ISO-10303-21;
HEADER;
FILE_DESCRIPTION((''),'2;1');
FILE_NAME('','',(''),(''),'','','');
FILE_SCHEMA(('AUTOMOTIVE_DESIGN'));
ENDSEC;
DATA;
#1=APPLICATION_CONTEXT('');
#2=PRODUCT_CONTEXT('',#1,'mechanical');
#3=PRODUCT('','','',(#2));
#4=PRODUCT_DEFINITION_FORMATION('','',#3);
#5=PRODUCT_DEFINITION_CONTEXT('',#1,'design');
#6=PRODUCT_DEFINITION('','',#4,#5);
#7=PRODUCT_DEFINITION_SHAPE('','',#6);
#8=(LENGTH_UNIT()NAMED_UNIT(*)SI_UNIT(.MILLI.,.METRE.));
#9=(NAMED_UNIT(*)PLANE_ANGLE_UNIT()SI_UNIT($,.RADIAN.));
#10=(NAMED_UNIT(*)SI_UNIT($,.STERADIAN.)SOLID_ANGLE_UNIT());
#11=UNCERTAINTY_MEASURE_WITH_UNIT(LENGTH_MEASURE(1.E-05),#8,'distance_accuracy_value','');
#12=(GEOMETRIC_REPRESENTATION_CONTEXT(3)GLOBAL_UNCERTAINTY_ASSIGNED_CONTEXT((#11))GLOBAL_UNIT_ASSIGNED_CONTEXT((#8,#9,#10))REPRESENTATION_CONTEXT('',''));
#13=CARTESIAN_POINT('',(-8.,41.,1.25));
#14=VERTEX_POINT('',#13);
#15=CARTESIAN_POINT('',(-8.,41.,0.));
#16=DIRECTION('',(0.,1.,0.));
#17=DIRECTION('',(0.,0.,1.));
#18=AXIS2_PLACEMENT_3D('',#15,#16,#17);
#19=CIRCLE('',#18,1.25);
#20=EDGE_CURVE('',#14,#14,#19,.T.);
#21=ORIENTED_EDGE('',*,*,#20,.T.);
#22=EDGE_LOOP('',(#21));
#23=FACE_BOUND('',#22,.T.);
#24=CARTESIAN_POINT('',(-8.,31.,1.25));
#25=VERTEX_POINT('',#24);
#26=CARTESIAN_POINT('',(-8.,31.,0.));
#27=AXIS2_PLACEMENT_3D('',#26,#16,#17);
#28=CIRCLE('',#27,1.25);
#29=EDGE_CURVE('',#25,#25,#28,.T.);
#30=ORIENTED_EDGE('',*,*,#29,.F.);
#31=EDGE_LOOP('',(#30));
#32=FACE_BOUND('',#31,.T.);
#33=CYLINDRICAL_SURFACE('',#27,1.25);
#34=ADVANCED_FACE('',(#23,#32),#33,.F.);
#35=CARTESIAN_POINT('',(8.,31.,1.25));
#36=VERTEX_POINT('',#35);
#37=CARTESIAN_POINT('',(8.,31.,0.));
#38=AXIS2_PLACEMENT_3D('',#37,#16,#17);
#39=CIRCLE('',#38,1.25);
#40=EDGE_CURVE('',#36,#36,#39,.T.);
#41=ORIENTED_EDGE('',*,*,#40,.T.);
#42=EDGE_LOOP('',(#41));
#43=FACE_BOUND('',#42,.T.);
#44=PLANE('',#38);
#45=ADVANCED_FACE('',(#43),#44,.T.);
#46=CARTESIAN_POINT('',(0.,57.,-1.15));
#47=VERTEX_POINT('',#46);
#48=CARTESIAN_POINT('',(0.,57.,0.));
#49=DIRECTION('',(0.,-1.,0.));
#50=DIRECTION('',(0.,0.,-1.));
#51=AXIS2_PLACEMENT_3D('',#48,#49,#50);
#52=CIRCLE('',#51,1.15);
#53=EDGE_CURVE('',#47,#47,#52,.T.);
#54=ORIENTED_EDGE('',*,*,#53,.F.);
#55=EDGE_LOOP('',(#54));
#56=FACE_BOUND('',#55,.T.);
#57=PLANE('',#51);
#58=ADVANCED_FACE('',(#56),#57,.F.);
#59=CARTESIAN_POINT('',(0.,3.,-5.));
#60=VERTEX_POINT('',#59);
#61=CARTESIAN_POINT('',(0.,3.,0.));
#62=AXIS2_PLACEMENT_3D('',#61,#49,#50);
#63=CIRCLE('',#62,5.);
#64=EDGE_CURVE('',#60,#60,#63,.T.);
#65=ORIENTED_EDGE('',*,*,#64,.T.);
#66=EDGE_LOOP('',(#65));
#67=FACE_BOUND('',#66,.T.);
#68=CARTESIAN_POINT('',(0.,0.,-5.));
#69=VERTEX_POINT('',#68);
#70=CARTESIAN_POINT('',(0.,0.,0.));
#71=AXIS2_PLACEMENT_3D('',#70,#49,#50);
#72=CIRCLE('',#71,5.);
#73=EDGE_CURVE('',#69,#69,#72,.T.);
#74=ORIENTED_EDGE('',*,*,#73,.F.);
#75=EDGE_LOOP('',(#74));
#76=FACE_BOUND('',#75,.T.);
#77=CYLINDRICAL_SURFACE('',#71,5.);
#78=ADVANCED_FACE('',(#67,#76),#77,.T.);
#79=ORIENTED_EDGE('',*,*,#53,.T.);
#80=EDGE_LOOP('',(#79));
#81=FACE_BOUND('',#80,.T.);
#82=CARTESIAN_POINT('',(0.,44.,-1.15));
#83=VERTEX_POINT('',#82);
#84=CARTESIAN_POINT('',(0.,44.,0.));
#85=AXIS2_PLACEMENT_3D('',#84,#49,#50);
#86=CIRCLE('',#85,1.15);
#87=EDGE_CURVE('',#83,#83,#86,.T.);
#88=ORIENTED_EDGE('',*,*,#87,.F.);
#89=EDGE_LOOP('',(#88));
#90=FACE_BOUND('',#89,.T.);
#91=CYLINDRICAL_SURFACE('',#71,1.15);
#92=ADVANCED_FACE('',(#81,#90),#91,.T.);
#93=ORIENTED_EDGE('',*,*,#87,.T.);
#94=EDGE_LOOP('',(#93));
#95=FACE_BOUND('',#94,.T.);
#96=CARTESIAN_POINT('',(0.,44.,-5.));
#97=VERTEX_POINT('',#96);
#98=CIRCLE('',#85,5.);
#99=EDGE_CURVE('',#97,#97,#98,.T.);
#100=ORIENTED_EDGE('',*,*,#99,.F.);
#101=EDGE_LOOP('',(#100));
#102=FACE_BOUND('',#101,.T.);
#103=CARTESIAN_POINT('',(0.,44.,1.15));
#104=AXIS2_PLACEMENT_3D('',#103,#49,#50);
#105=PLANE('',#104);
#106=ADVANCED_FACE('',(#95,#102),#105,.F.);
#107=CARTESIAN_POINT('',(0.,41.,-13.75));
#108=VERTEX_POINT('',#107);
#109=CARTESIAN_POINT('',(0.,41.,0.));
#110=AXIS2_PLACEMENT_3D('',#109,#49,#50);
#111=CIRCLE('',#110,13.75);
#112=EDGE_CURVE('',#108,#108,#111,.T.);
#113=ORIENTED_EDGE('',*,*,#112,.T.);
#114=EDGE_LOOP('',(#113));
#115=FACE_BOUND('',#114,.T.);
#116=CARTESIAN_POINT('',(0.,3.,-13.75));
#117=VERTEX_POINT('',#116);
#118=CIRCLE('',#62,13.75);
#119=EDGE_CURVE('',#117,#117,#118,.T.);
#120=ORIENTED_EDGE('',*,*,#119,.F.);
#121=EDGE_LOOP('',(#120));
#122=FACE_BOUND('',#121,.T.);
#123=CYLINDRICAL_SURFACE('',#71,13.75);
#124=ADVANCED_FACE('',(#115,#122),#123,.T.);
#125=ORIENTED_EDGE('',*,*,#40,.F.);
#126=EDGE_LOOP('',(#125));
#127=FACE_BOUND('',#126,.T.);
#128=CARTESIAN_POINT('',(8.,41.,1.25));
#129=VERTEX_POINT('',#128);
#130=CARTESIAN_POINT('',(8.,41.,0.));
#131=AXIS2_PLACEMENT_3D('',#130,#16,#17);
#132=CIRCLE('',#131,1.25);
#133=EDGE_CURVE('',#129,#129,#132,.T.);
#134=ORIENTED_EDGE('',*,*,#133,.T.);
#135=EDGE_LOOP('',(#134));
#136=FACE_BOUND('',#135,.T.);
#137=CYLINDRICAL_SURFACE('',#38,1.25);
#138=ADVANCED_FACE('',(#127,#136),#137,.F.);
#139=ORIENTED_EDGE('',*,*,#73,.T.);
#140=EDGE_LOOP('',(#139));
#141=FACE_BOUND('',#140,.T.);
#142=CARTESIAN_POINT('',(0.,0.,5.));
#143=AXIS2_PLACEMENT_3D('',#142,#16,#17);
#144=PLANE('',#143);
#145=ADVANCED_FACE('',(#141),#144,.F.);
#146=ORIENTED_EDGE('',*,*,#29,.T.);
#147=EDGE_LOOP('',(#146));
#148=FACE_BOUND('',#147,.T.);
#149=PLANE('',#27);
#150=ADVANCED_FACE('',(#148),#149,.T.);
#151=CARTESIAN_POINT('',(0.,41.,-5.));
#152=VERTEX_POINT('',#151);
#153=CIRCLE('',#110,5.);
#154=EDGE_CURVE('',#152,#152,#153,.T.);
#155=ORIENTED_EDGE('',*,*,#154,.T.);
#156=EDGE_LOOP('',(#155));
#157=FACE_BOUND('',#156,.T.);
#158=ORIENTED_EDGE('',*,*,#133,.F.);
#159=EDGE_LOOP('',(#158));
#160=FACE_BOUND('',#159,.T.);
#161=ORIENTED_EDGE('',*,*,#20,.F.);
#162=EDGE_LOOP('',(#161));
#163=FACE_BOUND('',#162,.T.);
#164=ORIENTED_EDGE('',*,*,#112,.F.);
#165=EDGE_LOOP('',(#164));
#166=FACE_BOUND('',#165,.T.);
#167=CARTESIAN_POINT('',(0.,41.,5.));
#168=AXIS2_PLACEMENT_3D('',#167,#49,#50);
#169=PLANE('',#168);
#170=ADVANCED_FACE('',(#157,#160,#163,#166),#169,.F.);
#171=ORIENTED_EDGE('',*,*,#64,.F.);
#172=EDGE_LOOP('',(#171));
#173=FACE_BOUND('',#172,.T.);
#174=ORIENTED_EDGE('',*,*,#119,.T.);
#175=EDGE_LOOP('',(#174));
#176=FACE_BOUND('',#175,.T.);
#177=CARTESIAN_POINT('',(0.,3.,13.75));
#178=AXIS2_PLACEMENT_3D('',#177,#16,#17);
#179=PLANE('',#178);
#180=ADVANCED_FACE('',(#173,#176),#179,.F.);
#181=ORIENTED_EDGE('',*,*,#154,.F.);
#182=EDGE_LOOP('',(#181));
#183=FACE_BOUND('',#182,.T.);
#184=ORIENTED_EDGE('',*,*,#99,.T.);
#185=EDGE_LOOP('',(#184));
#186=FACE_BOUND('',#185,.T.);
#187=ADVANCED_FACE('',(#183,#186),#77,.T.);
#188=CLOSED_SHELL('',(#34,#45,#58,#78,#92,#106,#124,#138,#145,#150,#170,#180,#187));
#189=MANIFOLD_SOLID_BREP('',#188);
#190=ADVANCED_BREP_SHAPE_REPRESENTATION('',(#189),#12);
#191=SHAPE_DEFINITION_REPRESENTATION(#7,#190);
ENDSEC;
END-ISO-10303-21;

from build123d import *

# Parameters (mm, degrees)
SKETCH2_R          = 1.25
CUT_EXTRUDE1_DEPTH = 10


with BuildPart() as part:
    # Sketch1 → Revolve1 (revolve)
    with BuildSketch(Plane(origin=(0, 0, 0), x_dir=(0, 0, -1), z_dir=(1, 0, 0)), mode=Mode.PRIVATE) as revolve1_sk:
        Polygon((0, 57), (-1.15, 57), (-1.15, 44), (-5, 44), (-5, 41), (-13.75, 41), (-13.75, 3), (-5, 3), (-5, 0), (0, 0), align=None)
    revolve(revolve1_sk.sketch.rotate(Axis((0, 0, 0), (0, 1, 0)), 180), axis=Axis((0, 0, 0), (0, 1, 0)))

    # Sketch2 → Cut-Extrude1 (cut)
    with BuildSketch(Plane(origin=(0, 41, 0), x_dir=(1, 0, 0), z_dir=(0, 1, 0))):
        with Locations(Location((-8, 0, 0), (0, 0, 270))):
            Circle(SKETCH2_R)
        with Locations(Location((8, 0, 0), (0, 0, 270))):
            Circle(SKETCH2_R)
    extrude(amount=-CUT_EXTRUDE1_DEPTH, mode=Mode.SUBTRACT)


solid = part.part
